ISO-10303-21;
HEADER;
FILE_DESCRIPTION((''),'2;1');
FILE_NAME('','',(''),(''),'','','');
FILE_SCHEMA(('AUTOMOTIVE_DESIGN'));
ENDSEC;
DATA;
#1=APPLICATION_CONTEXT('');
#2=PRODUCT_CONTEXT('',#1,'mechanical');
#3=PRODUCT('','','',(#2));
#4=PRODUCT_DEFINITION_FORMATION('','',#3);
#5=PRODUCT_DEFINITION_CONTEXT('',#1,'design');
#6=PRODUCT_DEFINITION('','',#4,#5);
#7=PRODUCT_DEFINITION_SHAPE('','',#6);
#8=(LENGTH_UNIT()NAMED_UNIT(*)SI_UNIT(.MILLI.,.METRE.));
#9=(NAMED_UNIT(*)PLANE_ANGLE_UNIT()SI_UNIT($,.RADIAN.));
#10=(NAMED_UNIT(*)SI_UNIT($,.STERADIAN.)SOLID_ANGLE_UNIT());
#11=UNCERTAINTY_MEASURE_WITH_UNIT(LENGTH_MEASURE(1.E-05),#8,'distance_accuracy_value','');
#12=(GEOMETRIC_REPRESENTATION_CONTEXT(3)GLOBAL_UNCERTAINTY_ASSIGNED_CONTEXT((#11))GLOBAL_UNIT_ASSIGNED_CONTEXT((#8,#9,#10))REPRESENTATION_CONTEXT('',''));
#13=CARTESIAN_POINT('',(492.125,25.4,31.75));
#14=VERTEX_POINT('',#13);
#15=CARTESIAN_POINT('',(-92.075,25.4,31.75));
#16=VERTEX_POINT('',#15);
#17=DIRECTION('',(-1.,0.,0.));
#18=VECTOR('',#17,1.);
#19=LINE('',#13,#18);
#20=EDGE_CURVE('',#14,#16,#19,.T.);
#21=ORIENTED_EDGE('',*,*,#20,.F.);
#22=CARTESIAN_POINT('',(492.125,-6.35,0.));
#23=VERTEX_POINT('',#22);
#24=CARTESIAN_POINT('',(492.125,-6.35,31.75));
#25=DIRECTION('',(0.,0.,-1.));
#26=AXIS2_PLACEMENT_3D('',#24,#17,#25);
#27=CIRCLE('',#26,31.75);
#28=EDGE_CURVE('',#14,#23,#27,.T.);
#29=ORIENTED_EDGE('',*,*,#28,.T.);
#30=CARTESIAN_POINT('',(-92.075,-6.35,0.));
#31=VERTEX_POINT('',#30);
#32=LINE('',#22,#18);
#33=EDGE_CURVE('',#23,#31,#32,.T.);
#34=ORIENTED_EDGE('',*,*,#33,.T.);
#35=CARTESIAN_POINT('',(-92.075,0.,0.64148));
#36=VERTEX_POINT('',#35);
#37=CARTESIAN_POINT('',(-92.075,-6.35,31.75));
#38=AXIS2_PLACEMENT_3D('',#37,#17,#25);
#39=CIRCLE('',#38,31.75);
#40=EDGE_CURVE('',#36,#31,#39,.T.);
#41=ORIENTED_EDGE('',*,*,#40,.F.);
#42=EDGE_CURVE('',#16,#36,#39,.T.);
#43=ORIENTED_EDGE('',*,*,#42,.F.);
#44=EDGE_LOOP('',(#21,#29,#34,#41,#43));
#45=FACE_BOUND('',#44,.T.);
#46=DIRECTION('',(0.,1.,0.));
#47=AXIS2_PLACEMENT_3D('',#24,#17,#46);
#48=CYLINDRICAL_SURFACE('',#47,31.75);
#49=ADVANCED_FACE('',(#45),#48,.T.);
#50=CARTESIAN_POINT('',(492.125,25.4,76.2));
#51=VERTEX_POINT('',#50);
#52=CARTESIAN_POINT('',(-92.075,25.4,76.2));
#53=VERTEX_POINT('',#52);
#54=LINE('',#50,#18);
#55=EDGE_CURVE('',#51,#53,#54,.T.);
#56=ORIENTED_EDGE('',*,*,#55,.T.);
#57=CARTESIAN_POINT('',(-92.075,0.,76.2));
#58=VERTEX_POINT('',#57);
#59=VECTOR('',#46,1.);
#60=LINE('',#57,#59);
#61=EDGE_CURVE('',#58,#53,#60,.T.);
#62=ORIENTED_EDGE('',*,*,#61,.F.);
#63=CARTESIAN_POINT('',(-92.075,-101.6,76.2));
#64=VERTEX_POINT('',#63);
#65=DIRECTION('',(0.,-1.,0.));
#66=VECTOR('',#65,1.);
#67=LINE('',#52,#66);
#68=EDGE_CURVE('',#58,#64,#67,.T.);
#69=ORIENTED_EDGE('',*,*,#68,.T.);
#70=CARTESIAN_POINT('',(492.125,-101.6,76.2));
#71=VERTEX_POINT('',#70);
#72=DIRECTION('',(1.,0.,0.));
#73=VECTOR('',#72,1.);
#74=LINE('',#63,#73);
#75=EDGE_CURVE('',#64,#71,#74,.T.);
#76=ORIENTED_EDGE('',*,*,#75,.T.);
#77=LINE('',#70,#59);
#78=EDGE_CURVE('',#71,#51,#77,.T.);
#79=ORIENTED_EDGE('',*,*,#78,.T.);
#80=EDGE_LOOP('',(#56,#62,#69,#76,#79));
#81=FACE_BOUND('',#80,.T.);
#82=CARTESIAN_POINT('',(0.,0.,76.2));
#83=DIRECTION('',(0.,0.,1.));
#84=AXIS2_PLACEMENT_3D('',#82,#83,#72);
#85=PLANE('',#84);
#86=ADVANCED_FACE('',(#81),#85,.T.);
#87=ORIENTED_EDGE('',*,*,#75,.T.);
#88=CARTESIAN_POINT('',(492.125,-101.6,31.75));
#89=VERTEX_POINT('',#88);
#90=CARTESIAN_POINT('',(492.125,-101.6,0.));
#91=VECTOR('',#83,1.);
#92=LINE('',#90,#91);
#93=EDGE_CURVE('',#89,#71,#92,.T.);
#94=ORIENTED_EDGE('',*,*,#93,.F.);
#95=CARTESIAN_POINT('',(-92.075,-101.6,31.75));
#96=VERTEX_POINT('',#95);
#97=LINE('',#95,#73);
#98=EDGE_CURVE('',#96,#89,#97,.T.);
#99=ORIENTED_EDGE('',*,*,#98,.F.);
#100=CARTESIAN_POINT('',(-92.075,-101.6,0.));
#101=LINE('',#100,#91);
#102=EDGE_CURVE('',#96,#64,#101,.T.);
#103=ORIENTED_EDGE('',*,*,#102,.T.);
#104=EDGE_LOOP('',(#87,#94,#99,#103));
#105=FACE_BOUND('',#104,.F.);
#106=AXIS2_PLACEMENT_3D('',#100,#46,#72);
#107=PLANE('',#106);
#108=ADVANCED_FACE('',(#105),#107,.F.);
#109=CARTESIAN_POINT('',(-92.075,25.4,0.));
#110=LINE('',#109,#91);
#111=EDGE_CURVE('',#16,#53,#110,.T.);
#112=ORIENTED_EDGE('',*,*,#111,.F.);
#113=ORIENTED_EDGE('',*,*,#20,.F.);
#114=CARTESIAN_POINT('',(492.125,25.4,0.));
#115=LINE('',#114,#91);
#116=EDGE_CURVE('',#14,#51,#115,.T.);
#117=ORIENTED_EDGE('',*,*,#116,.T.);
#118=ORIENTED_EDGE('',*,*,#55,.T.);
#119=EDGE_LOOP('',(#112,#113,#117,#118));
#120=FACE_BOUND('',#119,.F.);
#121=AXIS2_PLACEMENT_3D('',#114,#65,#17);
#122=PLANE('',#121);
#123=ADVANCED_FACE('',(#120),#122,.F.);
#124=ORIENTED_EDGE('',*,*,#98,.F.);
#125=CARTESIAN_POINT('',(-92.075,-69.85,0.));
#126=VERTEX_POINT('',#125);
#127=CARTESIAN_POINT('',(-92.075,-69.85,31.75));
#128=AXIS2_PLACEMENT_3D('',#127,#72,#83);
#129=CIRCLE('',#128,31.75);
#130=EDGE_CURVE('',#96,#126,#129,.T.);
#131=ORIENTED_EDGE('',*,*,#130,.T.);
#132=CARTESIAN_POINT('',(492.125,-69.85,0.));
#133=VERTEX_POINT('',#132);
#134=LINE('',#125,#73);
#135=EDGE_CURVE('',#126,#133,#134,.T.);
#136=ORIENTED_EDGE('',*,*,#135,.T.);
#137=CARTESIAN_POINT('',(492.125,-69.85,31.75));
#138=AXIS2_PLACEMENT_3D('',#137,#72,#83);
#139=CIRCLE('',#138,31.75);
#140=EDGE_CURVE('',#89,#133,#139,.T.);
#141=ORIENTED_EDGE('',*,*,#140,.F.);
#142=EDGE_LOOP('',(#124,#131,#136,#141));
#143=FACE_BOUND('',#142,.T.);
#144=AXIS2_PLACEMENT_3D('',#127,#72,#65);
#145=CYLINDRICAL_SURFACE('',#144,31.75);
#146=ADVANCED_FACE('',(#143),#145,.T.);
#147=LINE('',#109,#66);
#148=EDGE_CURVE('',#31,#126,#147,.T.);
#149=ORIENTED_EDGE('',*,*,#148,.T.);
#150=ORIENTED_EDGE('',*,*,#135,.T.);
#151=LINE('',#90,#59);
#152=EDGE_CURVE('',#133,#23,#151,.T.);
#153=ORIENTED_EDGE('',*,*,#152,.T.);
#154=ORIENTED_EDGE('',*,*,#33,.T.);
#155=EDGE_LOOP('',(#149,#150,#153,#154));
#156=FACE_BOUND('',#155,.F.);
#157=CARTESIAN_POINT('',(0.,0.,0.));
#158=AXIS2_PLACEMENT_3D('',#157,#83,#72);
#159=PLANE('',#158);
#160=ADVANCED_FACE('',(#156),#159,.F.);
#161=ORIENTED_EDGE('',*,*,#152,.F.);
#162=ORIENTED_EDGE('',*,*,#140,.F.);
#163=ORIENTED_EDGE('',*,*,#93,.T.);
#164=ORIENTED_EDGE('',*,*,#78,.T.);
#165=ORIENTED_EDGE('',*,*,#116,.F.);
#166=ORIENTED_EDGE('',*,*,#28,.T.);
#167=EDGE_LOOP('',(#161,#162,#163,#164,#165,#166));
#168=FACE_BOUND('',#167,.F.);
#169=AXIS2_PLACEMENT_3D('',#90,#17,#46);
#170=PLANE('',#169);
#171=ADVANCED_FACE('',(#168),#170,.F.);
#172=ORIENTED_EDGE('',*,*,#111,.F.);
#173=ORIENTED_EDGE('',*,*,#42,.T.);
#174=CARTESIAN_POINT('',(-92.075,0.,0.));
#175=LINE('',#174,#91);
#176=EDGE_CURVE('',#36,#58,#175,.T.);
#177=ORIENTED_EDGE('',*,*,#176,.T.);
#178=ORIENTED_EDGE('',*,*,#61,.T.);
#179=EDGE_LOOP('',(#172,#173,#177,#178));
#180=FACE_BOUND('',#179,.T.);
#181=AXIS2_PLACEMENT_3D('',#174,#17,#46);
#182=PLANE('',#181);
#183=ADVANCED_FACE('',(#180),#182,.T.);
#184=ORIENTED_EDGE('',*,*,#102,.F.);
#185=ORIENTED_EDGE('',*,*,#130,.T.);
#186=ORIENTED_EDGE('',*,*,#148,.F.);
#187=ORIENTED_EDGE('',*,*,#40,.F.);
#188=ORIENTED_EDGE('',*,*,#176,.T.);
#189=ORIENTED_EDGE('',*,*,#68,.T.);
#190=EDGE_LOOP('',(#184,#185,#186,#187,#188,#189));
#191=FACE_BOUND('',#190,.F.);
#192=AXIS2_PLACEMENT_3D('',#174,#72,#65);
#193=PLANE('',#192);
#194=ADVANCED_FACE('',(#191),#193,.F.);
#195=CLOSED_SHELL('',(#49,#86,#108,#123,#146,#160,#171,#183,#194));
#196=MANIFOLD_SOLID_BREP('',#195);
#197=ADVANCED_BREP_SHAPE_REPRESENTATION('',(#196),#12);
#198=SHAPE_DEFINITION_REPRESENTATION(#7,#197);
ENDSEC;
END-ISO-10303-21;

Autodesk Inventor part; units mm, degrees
ref_plane "YZ Plane" through (0, 0, 0) normal (1, 0, 0) x (0, 1, 0)
ref_plane "XZ Plane" through (0, 0, 0) normal (0, 1, 0) x (-1, 0, 0)
ref_plane "XY Plane" through (0, 0, 0) normal (0, 0, 1) x (1, 0, 0)
sketch "Sketch1" plane through (0, 0, 0) normal (0, 0, 1) x (1, 0, 0)
  line L0 (0, 0) -> (-92.075, 0)
  line L1 (-92.075, 0) -> (-92.075, 25.4)
  line L2 (-92.075, 25.4) -> (-92.075, -101.6)
  line L3 (-92.075, -101.6) -> (492.125, -101.6)
  line L4 (492.125, -101.6) -> (492.125, 25.4)
  line L5 (492.125, 25.4) -> (-92.075, 25.4)
  dimension "d0" = 92.075
  dimension "d1" = 25.4
  dimension "d2" = 127
  dimension "d3" = 0
  dimension "d4" = 584.2
  dimension "d5" = 90
  dimension "d6" = 127
  dimension "d7" = 90
extrude "Extrusion1" add sketch "Sketch1" along normal blind 76.2
fillet "Fillet1" radius 31.75 2 edges at (200.025, 25.4, 0) (200.025, -101.6, 0)
properties part number "BumperFront"
